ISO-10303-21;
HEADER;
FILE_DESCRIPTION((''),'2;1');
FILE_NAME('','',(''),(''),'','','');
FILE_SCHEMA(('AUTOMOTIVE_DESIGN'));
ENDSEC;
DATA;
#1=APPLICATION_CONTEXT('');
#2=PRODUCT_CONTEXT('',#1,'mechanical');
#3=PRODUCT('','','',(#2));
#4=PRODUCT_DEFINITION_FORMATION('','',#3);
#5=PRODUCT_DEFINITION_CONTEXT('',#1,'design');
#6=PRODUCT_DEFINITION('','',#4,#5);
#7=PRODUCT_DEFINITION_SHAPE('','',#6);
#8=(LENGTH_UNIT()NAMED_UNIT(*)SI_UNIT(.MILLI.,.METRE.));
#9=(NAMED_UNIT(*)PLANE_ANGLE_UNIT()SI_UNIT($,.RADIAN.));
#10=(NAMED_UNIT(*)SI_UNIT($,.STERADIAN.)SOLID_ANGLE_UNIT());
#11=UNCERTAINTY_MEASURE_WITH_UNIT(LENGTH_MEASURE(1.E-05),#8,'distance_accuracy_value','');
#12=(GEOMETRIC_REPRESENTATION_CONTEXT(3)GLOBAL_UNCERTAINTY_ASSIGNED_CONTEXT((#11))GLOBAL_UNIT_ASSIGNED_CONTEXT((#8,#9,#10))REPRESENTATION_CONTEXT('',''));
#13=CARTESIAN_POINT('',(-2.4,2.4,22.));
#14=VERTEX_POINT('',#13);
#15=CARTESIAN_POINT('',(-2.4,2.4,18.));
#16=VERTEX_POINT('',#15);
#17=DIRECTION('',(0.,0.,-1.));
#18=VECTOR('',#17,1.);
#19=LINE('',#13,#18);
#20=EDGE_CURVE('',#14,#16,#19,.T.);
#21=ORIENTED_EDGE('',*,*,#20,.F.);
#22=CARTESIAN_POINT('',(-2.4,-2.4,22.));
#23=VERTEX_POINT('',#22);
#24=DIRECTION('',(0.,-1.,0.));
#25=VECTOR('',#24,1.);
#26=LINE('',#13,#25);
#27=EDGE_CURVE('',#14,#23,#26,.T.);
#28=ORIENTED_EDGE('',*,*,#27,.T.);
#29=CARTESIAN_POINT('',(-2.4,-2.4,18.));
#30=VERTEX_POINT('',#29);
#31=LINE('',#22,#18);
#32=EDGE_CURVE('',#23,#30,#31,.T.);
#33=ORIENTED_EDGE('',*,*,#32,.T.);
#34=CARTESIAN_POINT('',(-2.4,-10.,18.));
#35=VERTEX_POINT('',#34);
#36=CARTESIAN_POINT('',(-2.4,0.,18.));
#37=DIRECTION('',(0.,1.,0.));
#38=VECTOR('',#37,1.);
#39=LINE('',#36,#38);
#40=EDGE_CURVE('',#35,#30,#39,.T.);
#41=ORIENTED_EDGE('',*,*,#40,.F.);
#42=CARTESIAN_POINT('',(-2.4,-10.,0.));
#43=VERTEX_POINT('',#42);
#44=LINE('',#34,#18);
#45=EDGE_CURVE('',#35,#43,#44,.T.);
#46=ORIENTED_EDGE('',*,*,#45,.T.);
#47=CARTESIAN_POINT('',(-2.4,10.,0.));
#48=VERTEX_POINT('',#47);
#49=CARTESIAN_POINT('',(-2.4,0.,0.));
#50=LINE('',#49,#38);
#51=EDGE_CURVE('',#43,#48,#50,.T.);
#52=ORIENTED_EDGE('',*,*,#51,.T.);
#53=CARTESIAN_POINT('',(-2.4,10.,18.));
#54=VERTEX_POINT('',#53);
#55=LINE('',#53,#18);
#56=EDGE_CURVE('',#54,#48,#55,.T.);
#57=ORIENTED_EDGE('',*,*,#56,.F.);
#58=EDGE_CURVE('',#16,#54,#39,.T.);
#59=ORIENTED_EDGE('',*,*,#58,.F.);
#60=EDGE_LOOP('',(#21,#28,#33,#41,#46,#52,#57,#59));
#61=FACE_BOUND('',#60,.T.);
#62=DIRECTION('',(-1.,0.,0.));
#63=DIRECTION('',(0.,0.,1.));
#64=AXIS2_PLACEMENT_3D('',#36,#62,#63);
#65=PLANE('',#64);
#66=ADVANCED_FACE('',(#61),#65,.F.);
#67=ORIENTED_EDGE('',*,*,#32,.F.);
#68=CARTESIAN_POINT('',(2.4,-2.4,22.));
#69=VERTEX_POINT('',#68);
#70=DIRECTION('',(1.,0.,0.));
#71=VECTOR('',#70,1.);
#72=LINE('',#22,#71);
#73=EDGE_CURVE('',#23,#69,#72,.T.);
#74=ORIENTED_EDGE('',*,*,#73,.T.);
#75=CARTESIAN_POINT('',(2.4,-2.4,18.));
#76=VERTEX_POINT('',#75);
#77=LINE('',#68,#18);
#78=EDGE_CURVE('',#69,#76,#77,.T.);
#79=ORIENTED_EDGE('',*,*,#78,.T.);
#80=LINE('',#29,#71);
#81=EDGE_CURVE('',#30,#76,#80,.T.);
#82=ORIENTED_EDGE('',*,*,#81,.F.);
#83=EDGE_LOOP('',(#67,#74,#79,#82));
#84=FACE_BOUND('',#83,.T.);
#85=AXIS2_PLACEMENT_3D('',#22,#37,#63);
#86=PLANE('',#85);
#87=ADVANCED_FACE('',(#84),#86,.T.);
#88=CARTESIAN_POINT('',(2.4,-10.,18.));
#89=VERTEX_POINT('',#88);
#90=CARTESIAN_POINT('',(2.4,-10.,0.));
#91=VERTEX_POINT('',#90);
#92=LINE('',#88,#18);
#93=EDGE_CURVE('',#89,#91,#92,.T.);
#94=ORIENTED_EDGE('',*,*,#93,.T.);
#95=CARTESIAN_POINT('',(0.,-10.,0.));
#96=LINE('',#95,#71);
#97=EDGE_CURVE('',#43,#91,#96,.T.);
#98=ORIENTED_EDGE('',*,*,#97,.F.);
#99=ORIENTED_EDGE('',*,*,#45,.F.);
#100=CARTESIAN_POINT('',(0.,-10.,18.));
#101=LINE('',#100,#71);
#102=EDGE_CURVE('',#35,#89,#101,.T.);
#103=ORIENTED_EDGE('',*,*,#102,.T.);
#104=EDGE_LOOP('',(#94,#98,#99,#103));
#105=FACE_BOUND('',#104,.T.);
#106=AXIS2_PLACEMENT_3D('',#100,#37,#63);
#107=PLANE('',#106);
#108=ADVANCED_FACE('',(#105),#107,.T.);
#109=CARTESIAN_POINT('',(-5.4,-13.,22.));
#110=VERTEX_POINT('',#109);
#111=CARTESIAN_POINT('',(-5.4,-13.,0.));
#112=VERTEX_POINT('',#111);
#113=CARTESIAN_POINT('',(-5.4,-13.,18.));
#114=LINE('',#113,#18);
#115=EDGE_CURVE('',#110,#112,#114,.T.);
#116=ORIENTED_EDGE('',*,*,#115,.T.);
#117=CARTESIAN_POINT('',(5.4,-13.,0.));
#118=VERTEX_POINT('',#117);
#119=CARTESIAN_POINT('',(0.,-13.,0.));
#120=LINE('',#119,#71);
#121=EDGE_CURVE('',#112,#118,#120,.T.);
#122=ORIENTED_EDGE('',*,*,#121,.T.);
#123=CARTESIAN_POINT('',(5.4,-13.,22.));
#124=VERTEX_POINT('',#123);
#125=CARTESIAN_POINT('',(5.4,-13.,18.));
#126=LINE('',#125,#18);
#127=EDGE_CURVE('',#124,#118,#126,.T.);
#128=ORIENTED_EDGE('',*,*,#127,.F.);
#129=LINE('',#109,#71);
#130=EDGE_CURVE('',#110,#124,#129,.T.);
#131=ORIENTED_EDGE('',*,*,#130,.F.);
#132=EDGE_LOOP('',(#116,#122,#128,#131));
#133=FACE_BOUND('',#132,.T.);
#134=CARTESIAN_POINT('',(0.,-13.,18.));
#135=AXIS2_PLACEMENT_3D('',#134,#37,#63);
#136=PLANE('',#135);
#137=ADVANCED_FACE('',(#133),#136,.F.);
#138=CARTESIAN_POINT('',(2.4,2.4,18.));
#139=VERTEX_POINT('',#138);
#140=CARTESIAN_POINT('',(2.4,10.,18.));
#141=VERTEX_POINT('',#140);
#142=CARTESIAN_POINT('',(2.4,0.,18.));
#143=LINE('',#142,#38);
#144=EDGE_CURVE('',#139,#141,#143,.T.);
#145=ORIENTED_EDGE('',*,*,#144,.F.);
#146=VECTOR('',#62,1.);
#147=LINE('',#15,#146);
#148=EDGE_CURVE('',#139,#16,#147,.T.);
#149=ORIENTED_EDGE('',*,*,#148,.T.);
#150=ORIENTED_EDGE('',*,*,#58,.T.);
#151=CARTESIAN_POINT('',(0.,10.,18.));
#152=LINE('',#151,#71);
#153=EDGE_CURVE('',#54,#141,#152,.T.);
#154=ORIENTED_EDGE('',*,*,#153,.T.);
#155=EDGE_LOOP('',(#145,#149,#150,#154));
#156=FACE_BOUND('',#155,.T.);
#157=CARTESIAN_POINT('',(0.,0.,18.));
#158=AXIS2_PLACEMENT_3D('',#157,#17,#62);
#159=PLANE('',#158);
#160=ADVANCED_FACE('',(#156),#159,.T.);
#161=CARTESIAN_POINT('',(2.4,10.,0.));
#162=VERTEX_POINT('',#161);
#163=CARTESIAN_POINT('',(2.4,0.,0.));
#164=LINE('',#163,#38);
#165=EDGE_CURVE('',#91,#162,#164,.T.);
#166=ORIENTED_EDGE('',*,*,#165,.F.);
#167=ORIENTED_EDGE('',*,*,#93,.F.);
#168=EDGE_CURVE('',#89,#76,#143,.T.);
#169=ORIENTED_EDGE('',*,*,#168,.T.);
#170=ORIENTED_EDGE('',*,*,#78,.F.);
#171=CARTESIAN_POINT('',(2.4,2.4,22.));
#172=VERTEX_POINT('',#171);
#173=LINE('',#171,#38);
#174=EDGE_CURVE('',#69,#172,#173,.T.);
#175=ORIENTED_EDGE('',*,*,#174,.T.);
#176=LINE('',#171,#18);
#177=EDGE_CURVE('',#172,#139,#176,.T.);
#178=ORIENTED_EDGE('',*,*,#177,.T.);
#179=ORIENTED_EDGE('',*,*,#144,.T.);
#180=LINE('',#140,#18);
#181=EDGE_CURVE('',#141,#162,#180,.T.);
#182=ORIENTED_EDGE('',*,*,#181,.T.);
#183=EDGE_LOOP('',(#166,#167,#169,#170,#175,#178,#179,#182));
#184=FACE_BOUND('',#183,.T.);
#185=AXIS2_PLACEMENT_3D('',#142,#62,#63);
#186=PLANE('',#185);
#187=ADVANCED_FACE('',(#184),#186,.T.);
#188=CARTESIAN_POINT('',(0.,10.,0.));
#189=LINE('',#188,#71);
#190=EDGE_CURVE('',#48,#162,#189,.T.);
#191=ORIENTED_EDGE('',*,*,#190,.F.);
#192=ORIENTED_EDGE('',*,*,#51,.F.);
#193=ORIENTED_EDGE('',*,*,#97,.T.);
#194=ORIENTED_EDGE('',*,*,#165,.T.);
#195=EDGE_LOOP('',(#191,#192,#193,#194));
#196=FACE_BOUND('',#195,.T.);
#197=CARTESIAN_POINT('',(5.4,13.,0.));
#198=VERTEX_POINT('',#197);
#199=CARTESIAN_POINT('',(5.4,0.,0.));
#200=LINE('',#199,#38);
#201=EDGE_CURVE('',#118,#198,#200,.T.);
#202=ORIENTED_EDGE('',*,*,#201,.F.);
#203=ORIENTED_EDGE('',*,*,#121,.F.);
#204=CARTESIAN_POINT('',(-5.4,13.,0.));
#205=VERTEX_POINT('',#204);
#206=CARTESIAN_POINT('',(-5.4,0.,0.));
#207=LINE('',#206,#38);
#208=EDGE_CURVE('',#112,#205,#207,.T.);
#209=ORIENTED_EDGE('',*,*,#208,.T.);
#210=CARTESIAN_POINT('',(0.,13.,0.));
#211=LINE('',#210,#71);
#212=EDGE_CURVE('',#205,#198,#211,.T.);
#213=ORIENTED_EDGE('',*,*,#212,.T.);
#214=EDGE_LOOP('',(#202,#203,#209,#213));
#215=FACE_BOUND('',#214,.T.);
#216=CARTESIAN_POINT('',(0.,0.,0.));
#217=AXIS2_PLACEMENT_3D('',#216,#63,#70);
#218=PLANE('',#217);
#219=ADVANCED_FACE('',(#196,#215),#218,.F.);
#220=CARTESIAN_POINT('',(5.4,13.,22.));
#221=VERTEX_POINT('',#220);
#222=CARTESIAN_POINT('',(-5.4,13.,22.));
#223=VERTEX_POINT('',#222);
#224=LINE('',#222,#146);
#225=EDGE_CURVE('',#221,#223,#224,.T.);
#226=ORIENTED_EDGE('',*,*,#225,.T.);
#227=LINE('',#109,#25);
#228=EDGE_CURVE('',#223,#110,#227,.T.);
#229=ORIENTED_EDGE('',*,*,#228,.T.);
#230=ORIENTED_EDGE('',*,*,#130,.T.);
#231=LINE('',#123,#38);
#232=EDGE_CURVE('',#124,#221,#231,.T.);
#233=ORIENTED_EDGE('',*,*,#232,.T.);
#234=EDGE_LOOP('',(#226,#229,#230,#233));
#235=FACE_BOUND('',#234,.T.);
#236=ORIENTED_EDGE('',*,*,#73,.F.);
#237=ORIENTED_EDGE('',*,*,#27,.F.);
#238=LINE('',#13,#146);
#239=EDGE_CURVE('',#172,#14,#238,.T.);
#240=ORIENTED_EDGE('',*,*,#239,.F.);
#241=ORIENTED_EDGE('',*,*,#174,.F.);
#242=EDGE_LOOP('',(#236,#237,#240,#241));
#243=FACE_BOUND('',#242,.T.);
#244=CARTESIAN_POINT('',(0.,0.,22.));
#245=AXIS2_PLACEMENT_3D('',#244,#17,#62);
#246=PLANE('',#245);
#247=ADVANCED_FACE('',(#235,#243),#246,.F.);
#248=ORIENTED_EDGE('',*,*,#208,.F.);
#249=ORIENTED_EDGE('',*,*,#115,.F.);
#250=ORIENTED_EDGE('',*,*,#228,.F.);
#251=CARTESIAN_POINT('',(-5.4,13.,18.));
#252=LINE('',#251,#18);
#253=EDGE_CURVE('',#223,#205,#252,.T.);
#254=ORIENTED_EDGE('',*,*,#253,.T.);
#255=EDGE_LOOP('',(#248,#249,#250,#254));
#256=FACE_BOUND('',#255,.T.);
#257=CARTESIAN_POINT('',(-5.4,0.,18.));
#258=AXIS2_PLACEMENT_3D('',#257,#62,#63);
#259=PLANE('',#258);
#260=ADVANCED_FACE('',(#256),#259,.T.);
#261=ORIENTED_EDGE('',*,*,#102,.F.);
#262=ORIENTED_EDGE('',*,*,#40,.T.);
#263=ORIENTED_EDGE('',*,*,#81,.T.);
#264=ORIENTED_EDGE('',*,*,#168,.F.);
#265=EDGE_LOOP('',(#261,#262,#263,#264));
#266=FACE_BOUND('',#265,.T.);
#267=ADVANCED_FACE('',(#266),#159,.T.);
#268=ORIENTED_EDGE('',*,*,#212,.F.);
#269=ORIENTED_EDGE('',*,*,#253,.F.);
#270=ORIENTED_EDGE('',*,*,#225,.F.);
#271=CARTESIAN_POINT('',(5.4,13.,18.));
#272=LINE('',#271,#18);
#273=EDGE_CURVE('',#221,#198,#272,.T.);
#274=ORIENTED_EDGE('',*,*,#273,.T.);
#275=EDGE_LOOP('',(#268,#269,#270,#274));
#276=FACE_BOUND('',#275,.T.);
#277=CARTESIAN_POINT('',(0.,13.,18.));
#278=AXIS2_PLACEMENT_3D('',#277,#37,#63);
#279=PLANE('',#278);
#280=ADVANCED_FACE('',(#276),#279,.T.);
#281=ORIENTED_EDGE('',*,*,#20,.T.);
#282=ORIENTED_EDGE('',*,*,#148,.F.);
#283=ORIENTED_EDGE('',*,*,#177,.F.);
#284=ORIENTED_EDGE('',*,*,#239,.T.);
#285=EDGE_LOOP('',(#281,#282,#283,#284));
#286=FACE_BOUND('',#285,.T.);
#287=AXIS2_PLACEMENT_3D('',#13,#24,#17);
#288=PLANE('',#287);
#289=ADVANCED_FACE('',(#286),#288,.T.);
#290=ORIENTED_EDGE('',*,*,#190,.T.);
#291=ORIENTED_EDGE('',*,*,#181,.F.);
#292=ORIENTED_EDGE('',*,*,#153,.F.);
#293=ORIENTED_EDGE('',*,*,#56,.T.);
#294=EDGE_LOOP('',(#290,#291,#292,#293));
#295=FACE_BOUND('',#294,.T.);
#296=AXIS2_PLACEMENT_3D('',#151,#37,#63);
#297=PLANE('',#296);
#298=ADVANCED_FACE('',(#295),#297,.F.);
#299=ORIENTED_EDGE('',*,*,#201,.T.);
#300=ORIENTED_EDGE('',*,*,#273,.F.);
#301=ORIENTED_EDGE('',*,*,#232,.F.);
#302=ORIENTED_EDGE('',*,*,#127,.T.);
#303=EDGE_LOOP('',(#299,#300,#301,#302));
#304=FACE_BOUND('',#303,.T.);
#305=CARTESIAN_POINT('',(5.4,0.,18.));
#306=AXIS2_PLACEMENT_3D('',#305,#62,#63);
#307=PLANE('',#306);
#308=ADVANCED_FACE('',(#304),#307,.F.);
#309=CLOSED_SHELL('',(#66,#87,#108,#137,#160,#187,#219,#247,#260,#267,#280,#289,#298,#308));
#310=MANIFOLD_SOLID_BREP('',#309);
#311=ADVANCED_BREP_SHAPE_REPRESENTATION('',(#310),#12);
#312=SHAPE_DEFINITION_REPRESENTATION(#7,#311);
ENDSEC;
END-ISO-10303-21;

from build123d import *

# Parameters (mm, degrees)
SKETCH1_W           = 10.8
SKETCH1_H           = 26
SKETCH1_W_2         = 4.8
SKETCH1_H_2         = 20
BOSS_EXTRUDE1_DEPTH = 18
SKETCH2_W           = 10.8
SKETCH2_H           = 26
SKETCH2_W_2         = 4.8
SKETCH2_H_2         = 4.8
BOSS_EXTRUDE2_DEPTH = 4


with BuildPart() as part:
    # Sketch1 → Boss-Extrude1 (new body)
    with BuildSketch(Plane.XY):
        Rectangle(SKETCH1_W, SKETCH1_H)
        Rectangle(SKETCH1_W_2, SKETCH1_H_2, mode=Mode.SUBTRACT)
    extrude(amount=BOSS_EXTRUDE1_DEPTH)

    # Sketch2 → Boss-Extrude2 (add)
    with BuildSketch(Plane.XY.offset(18)):
        Rectangle(SKETCH2_W, SKETCH2_H)
        Rectangle(SKETCH2_W_2, SKETCH2_H_2, mode=Mode.SUBTRACT)
    extrude(amount=BOSS_EXTRUDE2_DEPTH)


solid = part.part
